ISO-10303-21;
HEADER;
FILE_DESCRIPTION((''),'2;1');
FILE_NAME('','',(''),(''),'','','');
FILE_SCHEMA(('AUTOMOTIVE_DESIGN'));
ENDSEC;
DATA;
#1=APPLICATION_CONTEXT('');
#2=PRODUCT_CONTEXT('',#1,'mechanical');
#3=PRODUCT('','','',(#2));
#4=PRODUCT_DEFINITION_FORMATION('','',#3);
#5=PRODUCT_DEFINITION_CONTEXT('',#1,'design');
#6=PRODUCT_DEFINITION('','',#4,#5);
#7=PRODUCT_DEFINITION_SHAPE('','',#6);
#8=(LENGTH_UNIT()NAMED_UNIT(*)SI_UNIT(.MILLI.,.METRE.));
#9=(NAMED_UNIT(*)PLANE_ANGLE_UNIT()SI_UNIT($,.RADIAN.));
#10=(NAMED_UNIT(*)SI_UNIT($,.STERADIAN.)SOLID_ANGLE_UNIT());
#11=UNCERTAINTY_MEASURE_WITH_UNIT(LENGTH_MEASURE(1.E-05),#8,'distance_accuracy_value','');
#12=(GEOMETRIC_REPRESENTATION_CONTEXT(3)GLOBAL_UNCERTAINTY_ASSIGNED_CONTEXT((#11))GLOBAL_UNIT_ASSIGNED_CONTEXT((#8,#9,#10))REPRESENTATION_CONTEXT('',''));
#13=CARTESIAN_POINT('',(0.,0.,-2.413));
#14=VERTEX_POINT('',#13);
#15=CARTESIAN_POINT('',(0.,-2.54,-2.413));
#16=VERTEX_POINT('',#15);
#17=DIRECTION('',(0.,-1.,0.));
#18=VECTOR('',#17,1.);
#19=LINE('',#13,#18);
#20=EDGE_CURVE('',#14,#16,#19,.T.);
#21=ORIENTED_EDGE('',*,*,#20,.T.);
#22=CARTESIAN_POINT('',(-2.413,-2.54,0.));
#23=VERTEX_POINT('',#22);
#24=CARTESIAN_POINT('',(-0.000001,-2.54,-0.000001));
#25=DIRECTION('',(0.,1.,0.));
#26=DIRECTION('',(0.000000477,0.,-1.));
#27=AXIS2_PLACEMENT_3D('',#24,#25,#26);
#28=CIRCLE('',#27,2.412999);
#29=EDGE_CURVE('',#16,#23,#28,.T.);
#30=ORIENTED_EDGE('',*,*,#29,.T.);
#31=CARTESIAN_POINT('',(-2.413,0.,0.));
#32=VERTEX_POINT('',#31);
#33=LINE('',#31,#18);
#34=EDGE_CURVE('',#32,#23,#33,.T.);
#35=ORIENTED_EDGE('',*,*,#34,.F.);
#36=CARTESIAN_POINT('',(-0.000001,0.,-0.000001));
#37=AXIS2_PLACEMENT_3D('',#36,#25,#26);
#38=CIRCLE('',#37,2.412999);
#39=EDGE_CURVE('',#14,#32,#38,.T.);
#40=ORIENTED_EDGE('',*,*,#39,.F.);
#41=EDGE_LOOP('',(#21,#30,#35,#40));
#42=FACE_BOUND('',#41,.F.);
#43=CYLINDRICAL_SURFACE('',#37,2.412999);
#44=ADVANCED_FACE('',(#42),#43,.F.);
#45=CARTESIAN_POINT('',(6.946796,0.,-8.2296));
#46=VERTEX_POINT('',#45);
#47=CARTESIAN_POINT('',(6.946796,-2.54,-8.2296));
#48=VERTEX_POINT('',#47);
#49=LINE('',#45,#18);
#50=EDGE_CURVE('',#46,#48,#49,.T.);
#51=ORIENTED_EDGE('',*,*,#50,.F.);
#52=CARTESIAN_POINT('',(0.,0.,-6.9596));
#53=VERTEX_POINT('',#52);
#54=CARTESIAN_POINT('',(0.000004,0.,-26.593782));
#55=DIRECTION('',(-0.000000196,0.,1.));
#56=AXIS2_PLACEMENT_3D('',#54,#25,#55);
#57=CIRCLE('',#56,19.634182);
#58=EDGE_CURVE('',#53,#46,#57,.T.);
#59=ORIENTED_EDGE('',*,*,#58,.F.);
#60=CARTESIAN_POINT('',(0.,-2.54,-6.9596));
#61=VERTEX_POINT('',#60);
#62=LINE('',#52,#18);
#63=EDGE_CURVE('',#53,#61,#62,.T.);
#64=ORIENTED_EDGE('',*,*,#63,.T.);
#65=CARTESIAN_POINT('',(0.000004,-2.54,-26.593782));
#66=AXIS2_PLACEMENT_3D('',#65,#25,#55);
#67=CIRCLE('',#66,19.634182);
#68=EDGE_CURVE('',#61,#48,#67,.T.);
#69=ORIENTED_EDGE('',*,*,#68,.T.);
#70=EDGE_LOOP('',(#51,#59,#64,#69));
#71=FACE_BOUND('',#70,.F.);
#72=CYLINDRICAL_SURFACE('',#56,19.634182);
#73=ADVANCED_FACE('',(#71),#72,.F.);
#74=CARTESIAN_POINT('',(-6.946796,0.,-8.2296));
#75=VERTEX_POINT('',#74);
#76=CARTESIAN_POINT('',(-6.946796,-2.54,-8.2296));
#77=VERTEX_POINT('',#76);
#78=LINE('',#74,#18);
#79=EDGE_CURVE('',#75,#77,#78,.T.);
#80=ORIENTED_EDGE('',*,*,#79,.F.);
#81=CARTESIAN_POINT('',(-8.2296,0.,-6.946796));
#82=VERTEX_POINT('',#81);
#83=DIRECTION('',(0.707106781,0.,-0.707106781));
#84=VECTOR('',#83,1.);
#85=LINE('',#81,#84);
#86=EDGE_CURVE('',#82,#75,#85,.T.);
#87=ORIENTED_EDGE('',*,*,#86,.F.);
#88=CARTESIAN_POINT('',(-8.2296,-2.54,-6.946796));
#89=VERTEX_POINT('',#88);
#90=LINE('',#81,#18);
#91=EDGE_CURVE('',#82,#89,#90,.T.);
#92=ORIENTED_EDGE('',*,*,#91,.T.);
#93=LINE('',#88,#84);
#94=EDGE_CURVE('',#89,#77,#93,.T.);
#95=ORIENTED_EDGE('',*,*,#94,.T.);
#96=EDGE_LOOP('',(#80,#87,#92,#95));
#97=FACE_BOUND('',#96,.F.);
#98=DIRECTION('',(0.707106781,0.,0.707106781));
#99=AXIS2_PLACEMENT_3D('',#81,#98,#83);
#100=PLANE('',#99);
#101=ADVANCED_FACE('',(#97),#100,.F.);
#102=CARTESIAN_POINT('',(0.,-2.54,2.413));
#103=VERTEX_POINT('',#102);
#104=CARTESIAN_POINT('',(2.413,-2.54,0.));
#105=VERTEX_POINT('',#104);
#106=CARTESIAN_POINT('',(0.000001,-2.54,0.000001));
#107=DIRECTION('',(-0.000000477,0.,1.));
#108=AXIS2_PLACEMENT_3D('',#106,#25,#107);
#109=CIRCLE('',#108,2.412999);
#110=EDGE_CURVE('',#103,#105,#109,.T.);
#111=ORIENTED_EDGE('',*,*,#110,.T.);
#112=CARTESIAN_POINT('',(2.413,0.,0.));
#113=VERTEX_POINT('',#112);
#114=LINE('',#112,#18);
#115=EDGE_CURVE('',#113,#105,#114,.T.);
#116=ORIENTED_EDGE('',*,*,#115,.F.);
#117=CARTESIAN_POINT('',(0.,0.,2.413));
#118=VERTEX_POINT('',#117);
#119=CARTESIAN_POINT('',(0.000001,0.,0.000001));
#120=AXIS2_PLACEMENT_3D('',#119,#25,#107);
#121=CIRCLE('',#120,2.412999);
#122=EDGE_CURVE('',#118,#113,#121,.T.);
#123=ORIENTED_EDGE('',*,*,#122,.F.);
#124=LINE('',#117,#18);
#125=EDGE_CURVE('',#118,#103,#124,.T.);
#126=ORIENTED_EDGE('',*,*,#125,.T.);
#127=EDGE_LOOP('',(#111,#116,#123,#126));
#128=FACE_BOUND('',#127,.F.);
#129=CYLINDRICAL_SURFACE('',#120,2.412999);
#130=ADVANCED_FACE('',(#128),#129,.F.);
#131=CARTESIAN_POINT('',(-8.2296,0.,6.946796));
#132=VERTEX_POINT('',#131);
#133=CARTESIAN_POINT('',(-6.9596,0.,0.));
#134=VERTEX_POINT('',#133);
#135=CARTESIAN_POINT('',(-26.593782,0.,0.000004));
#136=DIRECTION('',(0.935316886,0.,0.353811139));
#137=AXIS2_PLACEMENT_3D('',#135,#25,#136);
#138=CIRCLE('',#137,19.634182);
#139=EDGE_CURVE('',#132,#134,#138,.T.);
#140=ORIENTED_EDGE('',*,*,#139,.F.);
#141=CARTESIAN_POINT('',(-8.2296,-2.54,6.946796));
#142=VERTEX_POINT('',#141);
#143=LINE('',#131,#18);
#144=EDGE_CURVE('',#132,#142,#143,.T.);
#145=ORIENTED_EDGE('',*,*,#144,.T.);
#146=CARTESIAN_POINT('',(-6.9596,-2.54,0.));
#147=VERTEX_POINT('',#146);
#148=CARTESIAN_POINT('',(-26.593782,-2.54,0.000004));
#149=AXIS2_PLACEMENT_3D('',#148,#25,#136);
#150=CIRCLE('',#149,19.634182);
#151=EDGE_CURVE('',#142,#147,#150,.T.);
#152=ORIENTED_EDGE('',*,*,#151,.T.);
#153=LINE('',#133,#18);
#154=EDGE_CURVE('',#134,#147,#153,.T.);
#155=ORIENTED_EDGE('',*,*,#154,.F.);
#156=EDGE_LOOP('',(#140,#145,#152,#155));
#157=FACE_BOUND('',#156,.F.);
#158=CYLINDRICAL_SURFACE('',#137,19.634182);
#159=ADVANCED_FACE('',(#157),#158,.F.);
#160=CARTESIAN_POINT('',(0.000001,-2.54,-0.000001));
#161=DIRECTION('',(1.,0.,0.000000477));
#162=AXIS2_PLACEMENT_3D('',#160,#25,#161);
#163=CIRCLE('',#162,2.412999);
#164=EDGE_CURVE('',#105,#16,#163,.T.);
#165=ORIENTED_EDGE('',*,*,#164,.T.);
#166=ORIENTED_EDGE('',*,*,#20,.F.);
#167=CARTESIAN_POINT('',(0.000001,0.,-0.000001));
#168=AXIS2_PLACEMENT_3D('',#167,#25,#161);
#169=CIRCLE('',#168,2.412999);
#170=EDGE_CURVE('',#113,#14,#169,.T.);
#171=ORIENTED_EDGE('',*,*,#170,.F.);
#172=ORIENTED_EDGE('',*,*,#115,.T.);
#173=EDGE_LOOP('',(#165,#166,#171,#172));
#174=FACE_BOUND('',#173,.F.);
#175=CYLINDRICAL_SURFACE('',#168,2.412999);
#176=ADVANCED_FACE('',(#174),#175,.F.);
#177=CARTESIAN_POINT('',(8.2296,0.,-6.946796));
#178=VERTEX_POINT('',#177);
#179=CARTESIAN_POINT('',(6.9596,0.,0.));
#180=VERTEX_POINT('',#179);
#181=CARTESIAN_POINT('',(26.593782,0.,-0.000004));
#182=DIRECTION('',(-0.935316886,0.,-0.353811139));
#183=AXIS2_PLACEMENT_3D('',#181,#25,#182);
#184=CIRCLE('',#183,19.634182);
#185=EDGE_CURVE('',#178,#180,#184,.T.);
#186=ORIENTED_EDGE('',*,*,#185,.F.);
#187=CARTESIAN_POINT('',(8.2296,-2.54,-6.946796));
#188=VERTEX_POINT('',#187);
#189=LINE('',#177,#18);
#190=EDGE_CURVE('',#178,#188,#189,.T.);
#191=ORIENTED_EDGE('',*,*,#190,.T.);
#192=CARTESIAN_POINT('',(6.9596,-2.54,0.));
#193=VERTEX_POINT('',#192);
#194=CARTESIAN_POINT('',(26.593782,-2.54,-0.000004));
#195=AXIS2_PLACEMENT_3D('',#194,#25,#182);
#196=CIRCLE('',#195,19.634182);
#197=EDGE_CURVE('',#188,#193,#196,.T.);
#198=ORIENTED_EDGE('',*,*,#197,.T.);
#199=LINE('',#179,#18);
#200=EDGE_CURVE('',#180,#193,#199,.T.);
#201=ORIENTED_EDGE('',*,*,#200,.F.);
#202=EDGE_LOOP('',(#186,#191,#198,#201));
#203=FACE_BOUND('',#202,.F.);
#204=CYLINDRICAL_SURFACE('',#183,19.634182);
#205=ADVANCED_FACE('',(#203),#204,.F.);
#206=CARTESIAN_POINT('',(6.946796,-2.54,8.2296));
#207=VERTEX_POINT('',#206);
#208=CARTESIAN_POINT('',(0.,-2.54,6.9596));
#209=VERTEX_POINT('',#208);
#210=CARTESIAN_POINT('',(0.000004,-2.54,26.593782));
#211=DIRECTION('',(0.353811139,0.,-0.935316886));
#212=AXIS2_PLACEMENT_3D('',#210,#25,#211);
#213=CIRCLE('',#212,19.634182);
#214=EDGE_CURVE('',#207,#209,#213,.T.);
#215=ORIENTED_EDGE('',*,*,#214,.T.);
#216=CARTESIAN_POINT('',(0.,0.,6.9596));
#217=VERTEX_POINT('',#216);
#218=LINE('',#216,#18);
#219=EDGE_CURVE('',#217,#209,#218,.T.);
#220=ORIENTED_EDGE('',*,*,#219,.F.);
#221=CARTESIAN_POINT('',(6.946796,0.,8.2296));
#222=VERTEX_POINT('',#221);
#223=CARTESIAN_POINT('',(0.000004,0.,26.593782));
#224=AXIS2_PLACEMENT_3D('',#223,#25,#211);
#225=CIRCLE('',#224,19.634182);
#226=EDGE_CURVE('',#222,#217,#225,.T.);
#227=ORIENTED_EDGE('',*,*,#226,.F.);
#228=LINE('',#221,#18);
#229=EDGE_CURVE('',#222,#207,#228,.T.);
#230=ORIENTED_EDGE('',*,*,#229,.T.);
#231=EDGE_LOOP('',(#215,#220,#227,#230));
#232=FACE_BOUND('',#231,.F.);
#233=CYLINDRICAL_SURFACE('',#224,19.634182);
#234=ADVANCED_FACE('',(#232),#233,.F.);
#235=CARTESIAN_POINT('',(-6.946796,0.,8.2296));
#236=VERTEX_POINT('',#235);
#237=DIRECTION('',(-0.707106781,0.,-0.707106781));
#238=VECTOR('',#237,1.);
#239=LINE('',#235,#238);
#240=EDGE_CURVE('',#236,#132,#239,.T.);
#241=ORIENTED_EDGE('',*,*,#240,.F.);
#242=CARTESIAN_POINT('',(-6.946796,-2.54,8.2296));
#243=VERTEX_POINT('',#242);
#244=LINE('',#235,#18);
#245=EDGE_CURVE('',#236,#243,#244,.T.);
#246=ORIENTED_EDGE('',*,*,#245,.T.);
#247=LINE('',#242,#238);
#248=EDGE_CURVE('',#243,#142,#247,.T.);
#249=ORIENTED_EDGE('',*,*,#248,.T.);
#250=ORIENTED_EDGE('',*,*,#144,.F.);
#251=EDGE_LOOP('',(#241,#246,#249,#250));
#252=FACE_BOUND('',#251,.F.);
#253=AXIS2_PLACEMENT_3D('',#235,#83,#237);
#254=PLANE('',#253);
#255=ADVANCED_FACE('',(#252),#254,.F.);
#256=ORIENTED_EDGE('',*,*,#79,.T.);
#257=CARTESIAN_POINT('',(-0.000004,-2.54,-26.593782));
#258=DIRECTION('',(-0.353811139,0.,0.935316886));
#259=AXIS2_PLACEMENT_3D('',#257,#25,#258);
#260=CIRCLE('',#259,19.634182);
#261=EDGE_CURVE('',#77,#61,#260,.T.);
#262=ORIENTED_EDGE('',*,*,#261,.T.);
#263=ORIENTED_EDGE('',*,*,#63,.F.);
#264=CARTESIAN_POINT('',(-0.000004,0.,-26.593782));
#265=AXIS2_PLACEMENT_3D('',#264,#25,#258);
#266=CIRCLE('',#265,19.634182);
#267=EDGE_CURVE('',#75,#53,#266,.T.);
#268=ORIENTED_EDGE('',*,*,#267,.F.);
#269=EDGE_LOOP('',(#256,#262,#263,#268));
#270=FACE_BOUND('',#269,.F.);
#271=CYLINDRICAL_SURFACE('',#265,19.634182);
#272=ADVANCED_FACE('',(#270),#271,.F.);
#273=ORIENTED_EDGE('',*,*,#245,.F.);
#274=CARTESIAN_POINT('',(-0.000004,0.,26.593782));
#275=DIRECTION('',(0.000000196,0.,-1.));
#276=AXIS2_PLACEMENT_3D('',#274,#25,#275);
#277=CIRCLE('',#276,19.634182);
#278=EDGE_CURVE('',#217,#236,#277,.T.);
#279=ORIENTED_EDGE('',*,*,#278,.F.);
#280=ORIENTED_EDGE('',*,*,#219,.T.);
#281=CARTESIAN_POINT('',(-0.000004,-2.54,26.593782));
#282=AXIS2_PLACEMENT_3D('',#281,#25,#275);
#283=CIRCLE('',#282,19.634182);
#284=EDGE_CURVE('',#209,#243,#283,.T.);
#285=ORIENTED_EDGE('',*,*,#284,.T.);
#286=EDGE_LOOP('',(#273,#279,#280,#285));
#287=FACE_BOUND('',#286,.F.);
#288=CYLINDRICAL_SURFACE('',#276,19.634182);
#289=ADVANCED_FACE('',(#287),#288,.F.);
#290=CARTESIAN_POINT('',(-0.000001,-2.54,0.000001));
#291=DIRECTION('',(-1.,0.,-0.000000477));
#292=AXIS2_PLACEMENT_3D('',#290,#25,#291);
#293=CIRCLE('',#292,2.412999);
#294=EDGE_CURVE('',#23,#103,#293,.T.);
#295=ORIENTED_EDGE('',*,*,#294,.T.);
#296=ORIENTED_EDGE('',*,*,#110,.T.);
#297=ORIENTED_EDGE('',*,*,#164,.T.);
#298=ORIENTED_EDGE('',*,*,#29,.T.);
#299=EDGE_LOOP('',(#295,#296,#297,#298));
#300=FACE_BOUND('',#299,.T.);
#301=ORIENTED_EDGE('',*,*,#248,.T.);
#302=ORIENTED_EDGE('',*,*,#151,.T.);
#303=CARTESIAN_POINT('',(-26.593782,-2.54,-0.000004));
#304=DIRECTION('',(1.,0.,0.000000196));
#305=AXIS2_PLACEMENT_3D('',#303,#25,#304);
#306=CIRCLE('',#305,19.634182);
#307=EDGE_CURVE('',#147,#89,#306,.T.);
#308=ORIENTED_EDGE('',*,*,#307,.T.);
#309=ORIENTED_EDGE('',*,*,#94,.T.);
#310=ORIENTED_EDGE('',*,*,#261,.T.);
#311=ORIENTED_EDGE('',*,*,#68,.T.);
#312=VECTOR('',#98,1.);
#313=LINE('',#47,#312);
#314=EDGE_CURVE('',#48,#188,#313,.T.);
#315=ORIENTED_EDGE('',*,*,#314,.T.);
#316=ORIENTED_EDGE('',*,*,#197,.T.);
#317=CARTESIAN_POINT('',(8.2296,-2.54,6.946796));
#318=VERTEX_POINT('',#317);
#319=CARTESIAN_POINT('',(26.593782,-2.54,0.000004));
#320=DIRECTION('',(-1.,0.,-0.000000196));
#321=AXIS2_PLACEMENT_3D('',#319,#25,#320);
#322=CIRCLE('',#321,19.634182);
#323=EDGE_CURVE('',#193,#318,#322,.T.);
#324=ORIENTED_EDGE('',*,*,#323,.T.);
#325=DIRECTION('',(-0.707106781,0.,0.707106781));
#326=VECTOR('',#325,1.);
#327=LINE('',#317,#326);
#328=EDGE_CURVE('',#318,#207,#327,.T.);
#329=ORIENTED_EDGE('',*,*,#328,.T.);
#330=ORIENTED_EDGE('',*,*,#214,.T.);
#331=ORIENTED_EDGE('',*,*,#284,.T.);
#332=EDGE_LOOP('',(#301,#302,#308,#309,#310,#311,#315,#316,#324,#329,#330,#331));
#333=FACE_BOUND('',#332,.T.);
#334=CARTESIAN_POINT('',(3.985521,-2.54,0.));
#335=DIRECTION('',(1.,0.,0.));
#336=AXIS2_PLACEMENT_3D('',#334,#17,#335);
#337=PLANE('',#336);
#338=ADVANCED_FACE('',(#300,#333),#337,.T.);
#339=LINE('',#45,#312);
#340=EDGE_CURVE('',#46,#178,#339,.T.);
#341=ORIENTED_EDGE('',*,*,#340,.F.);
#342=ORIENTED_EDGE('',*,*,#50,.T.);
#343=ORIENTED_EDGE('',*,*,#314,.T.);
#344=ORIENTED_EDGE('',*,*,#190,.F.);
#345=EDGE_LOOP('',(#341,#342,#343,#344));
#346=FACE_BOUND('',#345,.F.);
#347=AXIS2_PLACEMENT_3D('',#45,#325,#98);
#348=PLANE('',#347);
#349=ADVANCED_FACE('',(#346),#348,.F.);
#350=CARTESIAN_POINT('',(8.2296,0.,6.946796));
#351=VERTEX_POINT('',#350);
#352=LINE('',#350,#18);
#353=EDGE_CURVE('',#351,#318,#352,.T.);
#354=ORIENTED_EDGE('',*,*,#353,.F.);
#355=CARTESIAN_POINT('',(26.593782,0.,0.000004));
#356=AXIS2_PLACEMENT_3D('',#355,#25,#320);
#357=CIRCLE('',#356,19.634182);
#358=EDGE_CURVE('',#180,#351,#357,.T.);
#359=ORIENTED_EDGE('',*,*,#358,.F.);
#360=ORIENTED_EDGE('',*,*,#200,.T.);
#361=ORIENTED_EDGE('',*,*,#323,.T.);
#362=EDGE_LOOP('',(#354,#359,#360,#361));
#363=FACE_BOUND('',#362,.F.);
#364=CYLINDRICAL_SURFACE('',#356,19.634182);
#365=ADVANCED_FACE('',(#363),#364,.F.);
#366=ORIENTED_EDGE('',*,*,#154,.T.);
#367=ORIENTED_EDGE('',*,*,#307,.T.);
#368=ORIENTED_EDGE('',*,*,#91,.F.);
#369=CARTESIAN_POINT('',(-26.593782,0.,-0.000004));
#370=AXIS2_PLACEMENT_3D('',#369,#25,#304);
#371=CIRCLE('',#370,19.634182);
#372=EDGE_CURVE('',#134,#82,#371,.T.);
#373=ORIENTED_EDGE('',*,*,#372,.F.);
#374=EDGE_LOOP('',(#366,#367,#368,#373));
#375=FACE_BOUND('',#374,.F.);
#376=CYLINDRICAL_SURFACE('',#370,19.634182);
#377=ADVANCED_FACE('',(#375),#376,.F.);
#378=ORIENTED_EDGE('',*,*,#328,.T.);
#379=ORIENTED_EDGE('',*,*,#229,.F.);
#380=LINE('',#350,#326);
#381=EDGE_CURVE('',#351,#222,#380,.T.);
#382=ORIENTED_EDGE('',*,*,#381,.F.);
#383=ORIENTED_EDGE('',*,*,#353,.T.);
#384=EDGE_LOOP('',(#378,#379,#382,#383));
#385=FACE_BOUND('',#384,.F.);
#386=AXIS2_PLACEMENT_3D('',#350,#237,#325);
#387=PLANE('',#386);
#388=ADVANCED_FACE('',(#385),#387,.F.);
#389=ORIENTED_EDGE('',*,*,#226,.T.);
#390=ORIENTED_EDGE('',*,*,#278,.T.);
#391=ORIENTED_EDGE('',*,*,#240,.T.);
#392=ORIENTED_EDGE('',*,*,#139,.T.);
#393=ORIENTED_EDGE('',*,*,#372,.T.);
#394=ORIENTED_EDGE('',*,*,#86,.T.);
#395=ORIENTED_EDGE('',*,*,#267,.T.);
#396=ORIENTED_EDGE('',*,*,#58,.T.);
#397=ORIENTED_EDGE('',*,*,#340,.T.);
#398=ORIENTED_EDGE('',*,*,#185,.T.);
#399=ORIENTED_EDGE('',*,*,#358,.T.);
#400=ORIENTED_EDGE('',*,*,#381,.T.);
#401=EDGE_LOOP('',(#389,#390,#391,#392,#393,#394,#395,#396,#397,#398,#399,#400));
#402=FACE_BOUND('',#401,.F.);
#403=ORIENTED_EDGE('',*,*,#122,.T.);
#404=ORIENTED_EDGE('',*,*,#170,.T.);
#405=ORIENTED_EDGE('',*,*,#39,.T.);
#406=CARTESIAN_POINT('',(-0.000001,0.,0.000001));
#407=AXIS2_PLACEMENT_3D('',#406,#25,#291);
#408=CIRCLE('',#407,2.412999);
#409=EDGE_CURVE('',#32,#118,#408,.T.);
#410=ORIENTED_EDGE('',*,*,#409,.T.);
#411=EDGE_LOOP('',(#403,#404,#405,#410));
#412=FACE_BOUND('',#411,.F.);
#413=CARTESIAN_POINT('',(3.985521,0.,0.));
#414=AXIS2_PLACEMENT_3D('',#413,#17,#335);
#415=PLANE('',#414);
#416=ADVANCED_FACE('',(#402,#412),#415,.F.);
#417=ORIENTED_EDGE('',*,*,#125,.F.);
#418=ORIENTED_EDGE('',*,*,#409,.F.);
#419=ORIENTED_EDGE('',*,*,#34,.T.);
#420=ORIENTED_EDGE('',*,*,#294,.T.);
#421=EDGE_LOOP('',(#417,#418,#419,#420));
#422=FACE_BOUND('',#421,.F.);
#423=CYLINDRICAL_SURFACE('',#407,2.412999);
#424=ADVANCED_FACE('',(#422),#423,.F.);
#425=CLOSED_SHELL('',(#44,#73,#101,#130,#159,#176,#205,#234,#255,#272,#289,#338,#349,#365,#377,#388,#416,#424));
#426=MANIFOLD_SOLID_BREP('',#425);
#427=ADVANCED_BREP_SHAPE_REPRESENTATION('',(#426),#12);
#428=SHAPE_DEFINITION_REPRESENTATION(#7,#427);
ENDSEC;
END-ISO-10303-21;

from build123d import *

# Parameters (mm, degrees)
F1_DEPTH = 2.54


with BuildPart() as f1:
    # F0 (on Front) → F1 (new body)
    with BuildSketch(Plane.XZ):
        with BuildLine():
            ThreePointArc((0, 2.413), (1.706249, 1.706249), (2.413, 0))
            ThreePointArc((2.413, 0), (1.706249, -1.706249), (0, -2.413))
            Line((0, -2.413), (0, -6.9596))
            ThreePointArc((0, -6.9596), (3.530965, -7.279709), (6.946796, -8.2296))
            Line((6.946796, -8.2296), (8.2296, -6.946796))
            ThreePointArc((8.2296, -6.946796), (7.279709, -3.530965), (6.9596, 0))
            ThreePointArc((6.9596, 0), (7.279709, 3.530965), (8.2296, 6.946796))
            Line((8.2296, 6.946796), (6.946796, 8.2296))
            ThreePointArc((6.946796, 8.2296), (3.530965, 7.279709), (0, 6.9596))
            Line((0, 6.9596), (0, 2.413))
        make_face()
        with BuildLine():
            ThreePointArc((0, -2.413), (-1.706249, -1.706249), (-2.413, 0))
            ThreePointArc((-2.413, 0), (-1.706249, 1.706249), (0, 2.413))
            Line((0, 2.413), (0, 6.9596))
            ThreePointArc((0, 6.9596), (-3.530965, 7.279709), (-6.946796, 8.2296))
            Line((-6.946796, 8.2296), (-7.588198, 7.588198))
            Line((-7.588198, 7.588198), (-8.2296, 6.946796))
            ThreePointArc((-8.2296, 6.946796), (-7.279709, 3.530965), (-6.9596, 0))
            ThreePointArc((-6.9596, 0), (-7.279709, -3.530965), (-8.2296, -6.946796))
            Line((-8.2296, -6.946796), (-6.946796, -8.2296))
            ThreePointArc((-6.946796, -8.2296), (-3.530965, -7.279709), (0, -6.9596))
            Line((0, -6.9596), (0, -2.413))
        make_face()
    extrude(amount=F1_DEPTH)


solid = f1.part
